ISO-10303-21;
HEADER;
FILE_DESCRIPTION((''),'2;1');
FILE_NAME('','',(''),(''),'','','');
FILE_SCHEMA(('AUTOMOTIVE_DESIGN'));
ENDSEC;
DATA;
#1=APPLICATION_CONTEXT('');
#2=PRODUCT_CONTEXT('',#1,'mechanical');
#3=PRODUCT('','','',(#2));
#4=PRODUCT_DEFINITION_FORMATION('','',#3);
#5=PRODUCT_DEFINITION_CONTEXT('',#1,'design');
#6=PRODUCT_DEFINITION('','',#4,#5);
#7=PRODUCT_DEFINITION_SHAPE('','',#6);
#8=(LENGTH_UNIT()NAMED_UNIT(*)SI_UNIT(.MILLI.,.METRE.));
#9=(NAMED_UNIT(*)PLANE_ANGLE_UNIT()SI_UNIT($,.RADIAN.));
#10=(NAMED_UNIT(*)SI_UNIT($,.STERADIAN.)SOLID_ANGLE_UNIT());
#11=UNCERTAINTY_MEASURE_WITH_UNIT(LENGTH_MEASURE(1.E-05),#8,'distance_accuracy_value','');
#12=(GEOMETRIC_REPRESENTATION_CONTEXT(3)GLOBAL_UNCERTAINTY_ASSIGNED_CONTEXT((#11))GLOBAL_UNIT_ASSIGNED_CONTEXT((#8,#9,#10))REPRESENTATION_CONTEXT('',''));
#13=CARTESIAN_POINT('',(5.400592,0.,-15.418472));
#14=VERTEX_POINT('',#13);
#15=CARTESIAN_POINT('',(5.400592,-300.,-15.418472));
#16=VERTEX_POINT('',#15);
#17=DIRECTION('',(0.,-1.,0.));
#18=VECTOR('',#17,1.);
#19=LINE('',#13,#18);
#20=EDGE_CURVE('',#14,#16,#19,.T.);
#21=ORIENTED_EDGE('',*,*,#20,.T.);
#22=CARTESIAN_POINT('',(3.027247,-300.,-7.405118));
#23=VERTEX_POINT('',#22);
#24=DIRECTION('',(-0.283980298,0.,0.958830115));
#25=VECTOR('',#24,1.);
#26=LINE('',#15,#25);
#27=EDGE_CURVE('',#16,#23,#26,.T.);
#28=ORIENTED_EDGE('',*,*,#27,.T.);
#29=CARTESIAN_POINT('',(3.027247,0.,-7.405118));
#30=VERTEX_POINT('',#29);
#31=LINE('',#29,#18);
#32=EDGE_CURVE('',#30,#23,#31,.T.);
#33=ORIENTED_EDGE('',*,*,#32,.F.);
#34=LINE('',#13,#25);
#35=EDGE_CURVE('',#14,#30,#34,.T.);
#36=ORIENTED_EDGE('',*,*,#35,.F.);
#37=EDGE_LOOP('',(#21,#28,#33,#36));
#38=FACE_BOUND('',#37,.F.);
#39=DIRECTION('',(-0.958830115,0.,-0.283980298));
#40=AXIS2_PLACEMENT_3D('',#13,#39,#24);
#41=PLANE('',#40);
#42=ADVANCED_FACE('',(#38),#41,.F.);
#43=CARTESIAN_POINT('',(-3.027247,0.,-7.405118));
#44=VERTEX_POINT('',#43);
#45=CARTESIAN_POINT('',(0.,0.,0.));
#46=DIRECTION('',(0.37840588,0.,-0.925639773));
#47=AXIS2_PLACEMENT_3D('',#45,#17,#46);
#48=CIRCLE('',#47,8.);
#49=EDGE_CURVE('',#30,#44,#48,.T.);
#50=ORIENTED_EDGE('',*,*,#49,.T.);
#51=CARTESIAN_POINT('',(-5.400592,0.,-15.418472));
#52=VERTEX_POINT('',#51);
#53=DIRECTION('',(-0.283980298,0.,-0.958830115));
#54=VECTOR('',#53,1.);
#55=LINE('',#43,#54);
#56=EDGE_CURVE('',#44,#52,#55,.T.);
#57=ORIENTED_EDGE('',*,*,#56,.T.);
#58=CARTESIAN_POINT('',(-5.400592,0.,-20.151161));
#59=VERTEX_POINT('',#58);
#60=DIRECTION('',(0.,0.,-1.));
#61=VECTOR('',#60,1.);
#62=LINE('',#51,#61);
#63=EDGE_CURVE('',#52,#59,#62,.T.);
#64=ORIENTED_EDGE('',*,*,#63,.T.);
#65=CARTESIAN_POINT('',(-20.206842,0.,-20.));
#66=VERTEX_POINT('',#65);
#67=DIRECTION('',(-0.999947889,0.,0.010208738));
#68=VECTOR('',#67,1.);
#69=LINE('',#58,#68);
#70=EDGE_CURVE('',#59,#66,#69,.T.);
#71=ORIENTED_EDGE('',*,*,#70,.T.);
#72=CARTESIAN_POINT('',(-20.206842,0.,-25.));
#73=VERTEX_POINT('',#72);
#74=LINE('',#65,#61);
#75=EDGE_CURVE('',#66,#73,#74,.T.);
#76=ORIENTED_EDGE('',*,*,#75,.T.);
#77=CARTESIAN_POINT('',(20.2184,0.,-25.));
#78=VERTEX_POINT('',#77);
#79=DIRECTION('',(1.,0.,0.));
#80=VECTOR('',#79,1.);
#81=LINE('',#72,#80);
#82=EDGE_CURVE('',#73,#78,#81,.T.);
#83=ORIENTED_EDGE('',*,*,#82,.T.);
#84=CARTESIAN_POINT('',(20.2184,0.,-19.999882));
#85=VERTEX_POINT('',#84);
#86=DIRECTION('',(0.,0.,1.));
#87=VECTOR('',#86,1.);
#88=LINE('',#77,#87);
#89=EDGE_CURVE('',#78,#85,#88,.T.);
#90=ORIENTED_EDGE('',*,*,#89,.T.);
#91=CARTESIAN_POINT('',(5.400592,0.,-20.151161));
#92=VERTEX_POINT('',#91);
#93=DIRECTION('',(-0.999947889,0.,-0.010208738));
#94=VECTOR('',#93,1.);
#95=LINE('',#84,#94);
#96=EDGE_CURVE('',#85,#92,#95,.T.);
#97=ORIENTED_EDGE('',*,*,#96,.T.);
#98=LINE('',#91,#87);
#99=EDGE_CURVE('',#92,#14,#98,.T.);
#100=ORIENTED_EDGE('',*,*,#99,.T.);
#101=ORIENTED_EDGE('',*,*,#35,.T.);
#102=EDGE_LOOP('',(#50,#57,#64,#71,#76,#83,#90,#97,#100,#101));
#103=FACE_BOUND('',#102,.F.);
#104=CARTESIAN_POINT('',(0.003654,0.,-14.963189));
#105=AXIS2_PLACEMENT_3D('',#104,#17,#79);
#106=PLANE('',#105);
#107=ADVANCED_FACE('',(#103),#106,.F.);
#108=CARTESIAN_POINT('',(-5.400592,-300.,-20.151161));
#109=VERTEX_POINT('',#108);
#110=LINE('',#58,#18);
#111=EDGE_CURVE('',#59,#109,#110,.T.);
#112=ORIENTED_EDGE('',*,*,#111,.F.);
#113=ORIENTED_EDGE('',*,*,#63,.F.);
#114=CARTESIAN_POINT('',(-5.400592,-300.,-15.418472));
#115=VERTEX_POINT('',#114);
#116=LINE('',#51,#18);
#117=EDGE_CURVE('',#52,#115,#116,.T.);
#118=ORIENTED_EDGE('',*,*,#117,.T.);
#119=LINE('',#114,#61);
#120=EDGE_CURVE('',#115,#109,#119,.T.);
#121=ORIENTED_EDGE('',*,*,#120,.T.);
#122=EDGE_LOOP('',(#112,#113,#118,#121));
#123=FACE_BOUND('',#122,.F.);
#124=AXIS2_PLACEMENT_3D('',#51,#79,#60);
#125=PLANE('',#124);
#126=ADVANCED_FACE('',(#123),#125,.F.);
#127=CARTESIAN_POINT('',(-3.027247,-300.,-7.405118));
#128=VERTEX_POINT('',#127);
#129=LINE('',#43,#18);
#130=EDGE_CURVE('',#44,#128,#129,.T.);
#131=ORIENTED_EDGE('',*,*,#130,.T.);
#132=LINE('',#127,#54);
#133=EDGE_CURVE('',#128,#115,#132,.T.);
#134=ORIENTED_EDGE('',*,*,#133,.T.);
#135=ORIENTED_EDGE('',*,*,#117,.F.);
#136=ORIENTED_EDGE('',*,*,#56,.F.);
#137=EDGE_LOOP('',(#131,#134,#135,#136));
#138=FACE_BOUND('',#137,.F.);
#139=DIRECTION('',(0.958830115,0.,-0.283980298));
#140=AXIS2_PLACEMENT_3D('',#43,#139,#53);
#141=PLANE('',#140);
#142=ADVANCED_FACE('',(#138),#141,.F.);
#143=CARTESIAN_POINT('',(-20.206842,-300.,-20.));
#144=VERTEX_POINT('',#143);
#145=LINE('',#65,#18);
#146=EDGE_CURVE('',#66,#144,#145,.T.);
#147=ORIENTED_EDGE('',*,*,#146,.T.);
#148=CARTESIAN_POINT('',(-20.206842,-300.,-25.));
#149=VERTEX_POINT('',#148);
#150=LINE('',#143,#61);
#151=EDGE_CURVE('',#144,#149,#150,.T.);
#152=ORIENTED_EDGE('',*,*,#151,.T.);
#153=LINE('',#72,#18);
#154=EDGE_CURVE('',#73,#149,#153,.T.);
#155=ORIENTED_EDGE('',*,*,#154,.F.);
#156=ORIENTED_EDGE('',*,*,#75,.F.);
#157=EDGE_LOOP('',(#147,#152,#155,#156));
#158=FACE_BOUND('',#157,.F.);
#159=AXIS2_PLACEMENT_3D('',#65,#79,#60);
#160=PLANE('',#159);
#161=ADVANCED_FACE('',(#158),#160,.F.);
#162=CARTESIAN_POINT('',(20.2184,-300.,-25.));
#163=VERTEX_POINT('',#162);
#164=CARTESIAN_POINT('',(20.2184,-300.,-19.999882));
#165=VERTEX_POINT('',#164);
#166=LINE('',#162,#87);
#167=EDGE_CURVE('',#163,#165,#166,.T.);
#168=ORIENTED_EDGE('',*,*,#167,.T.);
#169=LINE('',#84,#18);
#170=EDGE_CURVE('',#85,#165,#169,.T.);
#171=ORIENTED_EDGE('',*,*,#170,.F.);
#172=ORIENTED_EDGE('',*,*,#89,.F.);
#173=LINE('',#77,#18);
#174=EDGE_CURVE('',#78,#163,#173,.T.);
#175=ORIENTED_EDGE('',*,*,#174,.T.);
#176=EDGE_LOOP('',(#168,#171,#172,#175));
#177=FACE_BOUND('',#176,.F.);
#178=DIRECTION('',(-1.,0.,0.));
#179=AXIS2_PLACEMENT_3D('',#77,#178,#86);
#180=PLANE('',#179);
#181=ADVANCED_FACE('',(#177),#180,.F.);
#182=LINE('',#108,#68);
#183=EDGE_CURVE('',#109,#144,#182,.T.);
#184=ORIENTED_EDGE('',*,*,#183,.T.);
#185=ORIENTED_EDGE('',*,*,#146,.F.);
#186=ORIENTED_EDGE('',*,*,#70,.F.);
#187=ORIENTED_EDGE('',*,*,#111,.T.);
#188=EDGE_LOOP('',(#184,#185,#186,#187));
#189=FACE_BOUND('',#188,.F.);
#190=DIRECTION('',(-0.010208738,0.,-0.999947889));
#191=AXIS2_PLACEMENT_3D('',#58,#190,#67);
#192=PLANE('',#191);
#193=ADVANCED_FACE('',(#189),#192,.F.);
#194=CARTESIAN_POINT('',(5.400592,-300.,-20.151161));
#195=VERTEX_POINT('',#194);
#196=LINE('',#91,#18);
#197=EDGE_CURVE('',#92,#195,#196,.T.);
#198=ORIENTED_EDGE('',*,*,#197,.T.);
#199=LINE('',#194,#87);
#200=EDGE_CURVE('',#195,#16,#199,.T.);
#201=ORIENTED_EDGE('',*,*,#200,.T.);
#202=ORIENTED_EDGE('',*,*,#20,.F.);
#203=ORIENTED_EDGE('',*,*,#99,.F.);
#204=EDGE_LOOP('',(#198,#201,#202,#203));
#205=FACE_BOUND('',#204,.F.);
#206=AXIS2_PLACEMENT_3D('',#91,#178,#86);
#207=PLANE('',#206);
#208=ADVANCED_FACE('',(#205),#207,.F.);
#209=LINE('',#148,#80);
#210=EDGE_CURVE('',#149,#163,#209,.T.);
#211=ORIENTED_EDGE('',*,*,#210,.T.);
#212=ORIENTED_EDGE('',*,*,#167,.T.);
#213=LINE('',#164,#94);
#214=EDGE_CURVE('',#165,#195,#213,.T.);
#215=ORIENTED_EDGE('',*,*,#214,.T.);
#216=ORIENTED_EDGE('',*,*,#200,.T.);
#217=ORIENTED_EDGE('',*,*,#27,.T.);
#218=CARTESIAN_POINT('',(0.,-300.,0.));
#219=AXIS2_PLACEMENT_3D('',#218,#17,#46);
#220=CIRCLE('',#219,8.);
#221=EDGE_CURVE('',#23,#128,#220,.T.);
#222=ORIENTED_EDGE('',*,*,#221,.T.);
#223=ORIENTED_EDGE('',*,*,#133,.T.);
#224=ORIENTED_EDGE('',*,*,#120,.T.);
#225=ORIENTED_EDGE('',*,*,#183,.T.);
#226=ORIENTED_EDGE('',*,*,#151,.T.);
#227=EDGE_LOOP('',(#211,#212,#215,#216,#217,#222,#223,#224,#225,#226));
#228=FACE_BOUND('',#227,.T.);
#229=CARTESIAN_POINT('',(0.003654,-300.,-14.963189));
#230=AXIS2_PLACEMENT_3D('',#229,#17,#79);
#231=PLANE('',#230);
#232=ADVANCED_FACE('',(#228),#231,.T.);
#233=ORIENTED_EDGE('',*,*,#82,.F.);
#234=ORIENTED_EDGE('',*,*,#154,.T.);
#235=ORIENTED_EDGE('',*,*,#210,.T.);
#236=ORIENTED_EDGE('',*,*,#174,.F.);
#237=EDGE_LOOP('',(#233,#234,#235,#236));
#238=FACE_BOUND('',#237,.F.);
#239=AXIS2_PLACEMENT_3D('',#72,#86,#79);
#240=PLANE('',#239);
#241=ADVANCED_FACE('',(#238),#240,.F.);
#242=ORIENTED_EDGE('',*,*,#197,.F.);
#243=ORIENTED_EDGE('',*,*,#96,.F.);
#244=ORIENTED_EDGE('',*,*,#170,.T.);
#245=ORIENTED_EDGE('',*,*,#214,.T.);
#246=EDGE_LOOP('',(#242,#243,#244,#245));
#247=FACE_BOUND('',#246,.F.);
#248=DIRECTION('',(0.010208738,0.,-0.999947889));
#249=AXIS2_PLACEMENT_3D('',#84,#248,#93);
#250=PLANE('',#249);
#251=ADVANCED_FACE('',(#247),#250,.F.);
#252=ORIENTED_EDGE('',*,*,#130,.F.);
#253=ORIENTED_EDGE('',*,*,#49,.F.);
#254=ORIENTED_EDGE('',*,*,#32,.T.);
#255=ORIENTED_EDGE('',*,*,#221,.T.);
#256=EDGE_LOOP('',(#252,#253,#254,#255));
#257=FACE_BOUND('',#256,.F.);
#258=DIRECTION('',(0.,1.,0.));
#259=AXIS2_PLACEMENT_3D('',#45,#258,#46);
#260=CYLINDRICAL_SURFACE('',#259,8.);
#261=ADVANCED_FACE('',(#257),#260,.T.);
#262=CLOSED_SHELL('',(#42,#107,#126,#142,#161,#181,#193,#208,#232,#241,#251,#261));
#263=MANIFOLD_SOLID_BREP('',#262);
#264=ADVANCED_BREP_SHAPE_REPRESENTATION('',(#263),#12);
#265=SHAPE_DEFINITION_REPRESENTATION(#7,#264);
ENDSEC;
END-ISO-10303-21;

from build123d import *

# Parameters (mm, degrees)
F1_DEPTH = 300


with BuildPart() as f1:
    # F0 (on Front) → F1 (new body)
    with BuildSketch(Plane.XZ):
        with BuildLine():
            Line((5.400592, -15.418472), (3.027247, -7.405118))
            ThreePointArc((3.027247, -7.405118), (0, 8), (-3.027247, -7.405118))
            Line((-3.027247, -7.405118), (-5.400592, -15.418472))
            Line((-5.400592, -15.418472), (-5.400592, -20.151161))
            Line((-5.400592, -20.151161), (-20.206842, -20))
            Line((-20.206842, -20), (-20.206842, -25))
            Line((-20.206842, -25), (0, -25))
            Line((0, -25), (20.2184, -25))
            Line((20.2184, -25), (20.2184, -19.999882))
            Line((20.2184, -19.999882), (5.400592, -20.151161))
            Line((5.400592, -20.151161), (5.400592, -15.418472))
        make_face()
    extrude(amount=F1_DEPTH)


solid = f1.part
